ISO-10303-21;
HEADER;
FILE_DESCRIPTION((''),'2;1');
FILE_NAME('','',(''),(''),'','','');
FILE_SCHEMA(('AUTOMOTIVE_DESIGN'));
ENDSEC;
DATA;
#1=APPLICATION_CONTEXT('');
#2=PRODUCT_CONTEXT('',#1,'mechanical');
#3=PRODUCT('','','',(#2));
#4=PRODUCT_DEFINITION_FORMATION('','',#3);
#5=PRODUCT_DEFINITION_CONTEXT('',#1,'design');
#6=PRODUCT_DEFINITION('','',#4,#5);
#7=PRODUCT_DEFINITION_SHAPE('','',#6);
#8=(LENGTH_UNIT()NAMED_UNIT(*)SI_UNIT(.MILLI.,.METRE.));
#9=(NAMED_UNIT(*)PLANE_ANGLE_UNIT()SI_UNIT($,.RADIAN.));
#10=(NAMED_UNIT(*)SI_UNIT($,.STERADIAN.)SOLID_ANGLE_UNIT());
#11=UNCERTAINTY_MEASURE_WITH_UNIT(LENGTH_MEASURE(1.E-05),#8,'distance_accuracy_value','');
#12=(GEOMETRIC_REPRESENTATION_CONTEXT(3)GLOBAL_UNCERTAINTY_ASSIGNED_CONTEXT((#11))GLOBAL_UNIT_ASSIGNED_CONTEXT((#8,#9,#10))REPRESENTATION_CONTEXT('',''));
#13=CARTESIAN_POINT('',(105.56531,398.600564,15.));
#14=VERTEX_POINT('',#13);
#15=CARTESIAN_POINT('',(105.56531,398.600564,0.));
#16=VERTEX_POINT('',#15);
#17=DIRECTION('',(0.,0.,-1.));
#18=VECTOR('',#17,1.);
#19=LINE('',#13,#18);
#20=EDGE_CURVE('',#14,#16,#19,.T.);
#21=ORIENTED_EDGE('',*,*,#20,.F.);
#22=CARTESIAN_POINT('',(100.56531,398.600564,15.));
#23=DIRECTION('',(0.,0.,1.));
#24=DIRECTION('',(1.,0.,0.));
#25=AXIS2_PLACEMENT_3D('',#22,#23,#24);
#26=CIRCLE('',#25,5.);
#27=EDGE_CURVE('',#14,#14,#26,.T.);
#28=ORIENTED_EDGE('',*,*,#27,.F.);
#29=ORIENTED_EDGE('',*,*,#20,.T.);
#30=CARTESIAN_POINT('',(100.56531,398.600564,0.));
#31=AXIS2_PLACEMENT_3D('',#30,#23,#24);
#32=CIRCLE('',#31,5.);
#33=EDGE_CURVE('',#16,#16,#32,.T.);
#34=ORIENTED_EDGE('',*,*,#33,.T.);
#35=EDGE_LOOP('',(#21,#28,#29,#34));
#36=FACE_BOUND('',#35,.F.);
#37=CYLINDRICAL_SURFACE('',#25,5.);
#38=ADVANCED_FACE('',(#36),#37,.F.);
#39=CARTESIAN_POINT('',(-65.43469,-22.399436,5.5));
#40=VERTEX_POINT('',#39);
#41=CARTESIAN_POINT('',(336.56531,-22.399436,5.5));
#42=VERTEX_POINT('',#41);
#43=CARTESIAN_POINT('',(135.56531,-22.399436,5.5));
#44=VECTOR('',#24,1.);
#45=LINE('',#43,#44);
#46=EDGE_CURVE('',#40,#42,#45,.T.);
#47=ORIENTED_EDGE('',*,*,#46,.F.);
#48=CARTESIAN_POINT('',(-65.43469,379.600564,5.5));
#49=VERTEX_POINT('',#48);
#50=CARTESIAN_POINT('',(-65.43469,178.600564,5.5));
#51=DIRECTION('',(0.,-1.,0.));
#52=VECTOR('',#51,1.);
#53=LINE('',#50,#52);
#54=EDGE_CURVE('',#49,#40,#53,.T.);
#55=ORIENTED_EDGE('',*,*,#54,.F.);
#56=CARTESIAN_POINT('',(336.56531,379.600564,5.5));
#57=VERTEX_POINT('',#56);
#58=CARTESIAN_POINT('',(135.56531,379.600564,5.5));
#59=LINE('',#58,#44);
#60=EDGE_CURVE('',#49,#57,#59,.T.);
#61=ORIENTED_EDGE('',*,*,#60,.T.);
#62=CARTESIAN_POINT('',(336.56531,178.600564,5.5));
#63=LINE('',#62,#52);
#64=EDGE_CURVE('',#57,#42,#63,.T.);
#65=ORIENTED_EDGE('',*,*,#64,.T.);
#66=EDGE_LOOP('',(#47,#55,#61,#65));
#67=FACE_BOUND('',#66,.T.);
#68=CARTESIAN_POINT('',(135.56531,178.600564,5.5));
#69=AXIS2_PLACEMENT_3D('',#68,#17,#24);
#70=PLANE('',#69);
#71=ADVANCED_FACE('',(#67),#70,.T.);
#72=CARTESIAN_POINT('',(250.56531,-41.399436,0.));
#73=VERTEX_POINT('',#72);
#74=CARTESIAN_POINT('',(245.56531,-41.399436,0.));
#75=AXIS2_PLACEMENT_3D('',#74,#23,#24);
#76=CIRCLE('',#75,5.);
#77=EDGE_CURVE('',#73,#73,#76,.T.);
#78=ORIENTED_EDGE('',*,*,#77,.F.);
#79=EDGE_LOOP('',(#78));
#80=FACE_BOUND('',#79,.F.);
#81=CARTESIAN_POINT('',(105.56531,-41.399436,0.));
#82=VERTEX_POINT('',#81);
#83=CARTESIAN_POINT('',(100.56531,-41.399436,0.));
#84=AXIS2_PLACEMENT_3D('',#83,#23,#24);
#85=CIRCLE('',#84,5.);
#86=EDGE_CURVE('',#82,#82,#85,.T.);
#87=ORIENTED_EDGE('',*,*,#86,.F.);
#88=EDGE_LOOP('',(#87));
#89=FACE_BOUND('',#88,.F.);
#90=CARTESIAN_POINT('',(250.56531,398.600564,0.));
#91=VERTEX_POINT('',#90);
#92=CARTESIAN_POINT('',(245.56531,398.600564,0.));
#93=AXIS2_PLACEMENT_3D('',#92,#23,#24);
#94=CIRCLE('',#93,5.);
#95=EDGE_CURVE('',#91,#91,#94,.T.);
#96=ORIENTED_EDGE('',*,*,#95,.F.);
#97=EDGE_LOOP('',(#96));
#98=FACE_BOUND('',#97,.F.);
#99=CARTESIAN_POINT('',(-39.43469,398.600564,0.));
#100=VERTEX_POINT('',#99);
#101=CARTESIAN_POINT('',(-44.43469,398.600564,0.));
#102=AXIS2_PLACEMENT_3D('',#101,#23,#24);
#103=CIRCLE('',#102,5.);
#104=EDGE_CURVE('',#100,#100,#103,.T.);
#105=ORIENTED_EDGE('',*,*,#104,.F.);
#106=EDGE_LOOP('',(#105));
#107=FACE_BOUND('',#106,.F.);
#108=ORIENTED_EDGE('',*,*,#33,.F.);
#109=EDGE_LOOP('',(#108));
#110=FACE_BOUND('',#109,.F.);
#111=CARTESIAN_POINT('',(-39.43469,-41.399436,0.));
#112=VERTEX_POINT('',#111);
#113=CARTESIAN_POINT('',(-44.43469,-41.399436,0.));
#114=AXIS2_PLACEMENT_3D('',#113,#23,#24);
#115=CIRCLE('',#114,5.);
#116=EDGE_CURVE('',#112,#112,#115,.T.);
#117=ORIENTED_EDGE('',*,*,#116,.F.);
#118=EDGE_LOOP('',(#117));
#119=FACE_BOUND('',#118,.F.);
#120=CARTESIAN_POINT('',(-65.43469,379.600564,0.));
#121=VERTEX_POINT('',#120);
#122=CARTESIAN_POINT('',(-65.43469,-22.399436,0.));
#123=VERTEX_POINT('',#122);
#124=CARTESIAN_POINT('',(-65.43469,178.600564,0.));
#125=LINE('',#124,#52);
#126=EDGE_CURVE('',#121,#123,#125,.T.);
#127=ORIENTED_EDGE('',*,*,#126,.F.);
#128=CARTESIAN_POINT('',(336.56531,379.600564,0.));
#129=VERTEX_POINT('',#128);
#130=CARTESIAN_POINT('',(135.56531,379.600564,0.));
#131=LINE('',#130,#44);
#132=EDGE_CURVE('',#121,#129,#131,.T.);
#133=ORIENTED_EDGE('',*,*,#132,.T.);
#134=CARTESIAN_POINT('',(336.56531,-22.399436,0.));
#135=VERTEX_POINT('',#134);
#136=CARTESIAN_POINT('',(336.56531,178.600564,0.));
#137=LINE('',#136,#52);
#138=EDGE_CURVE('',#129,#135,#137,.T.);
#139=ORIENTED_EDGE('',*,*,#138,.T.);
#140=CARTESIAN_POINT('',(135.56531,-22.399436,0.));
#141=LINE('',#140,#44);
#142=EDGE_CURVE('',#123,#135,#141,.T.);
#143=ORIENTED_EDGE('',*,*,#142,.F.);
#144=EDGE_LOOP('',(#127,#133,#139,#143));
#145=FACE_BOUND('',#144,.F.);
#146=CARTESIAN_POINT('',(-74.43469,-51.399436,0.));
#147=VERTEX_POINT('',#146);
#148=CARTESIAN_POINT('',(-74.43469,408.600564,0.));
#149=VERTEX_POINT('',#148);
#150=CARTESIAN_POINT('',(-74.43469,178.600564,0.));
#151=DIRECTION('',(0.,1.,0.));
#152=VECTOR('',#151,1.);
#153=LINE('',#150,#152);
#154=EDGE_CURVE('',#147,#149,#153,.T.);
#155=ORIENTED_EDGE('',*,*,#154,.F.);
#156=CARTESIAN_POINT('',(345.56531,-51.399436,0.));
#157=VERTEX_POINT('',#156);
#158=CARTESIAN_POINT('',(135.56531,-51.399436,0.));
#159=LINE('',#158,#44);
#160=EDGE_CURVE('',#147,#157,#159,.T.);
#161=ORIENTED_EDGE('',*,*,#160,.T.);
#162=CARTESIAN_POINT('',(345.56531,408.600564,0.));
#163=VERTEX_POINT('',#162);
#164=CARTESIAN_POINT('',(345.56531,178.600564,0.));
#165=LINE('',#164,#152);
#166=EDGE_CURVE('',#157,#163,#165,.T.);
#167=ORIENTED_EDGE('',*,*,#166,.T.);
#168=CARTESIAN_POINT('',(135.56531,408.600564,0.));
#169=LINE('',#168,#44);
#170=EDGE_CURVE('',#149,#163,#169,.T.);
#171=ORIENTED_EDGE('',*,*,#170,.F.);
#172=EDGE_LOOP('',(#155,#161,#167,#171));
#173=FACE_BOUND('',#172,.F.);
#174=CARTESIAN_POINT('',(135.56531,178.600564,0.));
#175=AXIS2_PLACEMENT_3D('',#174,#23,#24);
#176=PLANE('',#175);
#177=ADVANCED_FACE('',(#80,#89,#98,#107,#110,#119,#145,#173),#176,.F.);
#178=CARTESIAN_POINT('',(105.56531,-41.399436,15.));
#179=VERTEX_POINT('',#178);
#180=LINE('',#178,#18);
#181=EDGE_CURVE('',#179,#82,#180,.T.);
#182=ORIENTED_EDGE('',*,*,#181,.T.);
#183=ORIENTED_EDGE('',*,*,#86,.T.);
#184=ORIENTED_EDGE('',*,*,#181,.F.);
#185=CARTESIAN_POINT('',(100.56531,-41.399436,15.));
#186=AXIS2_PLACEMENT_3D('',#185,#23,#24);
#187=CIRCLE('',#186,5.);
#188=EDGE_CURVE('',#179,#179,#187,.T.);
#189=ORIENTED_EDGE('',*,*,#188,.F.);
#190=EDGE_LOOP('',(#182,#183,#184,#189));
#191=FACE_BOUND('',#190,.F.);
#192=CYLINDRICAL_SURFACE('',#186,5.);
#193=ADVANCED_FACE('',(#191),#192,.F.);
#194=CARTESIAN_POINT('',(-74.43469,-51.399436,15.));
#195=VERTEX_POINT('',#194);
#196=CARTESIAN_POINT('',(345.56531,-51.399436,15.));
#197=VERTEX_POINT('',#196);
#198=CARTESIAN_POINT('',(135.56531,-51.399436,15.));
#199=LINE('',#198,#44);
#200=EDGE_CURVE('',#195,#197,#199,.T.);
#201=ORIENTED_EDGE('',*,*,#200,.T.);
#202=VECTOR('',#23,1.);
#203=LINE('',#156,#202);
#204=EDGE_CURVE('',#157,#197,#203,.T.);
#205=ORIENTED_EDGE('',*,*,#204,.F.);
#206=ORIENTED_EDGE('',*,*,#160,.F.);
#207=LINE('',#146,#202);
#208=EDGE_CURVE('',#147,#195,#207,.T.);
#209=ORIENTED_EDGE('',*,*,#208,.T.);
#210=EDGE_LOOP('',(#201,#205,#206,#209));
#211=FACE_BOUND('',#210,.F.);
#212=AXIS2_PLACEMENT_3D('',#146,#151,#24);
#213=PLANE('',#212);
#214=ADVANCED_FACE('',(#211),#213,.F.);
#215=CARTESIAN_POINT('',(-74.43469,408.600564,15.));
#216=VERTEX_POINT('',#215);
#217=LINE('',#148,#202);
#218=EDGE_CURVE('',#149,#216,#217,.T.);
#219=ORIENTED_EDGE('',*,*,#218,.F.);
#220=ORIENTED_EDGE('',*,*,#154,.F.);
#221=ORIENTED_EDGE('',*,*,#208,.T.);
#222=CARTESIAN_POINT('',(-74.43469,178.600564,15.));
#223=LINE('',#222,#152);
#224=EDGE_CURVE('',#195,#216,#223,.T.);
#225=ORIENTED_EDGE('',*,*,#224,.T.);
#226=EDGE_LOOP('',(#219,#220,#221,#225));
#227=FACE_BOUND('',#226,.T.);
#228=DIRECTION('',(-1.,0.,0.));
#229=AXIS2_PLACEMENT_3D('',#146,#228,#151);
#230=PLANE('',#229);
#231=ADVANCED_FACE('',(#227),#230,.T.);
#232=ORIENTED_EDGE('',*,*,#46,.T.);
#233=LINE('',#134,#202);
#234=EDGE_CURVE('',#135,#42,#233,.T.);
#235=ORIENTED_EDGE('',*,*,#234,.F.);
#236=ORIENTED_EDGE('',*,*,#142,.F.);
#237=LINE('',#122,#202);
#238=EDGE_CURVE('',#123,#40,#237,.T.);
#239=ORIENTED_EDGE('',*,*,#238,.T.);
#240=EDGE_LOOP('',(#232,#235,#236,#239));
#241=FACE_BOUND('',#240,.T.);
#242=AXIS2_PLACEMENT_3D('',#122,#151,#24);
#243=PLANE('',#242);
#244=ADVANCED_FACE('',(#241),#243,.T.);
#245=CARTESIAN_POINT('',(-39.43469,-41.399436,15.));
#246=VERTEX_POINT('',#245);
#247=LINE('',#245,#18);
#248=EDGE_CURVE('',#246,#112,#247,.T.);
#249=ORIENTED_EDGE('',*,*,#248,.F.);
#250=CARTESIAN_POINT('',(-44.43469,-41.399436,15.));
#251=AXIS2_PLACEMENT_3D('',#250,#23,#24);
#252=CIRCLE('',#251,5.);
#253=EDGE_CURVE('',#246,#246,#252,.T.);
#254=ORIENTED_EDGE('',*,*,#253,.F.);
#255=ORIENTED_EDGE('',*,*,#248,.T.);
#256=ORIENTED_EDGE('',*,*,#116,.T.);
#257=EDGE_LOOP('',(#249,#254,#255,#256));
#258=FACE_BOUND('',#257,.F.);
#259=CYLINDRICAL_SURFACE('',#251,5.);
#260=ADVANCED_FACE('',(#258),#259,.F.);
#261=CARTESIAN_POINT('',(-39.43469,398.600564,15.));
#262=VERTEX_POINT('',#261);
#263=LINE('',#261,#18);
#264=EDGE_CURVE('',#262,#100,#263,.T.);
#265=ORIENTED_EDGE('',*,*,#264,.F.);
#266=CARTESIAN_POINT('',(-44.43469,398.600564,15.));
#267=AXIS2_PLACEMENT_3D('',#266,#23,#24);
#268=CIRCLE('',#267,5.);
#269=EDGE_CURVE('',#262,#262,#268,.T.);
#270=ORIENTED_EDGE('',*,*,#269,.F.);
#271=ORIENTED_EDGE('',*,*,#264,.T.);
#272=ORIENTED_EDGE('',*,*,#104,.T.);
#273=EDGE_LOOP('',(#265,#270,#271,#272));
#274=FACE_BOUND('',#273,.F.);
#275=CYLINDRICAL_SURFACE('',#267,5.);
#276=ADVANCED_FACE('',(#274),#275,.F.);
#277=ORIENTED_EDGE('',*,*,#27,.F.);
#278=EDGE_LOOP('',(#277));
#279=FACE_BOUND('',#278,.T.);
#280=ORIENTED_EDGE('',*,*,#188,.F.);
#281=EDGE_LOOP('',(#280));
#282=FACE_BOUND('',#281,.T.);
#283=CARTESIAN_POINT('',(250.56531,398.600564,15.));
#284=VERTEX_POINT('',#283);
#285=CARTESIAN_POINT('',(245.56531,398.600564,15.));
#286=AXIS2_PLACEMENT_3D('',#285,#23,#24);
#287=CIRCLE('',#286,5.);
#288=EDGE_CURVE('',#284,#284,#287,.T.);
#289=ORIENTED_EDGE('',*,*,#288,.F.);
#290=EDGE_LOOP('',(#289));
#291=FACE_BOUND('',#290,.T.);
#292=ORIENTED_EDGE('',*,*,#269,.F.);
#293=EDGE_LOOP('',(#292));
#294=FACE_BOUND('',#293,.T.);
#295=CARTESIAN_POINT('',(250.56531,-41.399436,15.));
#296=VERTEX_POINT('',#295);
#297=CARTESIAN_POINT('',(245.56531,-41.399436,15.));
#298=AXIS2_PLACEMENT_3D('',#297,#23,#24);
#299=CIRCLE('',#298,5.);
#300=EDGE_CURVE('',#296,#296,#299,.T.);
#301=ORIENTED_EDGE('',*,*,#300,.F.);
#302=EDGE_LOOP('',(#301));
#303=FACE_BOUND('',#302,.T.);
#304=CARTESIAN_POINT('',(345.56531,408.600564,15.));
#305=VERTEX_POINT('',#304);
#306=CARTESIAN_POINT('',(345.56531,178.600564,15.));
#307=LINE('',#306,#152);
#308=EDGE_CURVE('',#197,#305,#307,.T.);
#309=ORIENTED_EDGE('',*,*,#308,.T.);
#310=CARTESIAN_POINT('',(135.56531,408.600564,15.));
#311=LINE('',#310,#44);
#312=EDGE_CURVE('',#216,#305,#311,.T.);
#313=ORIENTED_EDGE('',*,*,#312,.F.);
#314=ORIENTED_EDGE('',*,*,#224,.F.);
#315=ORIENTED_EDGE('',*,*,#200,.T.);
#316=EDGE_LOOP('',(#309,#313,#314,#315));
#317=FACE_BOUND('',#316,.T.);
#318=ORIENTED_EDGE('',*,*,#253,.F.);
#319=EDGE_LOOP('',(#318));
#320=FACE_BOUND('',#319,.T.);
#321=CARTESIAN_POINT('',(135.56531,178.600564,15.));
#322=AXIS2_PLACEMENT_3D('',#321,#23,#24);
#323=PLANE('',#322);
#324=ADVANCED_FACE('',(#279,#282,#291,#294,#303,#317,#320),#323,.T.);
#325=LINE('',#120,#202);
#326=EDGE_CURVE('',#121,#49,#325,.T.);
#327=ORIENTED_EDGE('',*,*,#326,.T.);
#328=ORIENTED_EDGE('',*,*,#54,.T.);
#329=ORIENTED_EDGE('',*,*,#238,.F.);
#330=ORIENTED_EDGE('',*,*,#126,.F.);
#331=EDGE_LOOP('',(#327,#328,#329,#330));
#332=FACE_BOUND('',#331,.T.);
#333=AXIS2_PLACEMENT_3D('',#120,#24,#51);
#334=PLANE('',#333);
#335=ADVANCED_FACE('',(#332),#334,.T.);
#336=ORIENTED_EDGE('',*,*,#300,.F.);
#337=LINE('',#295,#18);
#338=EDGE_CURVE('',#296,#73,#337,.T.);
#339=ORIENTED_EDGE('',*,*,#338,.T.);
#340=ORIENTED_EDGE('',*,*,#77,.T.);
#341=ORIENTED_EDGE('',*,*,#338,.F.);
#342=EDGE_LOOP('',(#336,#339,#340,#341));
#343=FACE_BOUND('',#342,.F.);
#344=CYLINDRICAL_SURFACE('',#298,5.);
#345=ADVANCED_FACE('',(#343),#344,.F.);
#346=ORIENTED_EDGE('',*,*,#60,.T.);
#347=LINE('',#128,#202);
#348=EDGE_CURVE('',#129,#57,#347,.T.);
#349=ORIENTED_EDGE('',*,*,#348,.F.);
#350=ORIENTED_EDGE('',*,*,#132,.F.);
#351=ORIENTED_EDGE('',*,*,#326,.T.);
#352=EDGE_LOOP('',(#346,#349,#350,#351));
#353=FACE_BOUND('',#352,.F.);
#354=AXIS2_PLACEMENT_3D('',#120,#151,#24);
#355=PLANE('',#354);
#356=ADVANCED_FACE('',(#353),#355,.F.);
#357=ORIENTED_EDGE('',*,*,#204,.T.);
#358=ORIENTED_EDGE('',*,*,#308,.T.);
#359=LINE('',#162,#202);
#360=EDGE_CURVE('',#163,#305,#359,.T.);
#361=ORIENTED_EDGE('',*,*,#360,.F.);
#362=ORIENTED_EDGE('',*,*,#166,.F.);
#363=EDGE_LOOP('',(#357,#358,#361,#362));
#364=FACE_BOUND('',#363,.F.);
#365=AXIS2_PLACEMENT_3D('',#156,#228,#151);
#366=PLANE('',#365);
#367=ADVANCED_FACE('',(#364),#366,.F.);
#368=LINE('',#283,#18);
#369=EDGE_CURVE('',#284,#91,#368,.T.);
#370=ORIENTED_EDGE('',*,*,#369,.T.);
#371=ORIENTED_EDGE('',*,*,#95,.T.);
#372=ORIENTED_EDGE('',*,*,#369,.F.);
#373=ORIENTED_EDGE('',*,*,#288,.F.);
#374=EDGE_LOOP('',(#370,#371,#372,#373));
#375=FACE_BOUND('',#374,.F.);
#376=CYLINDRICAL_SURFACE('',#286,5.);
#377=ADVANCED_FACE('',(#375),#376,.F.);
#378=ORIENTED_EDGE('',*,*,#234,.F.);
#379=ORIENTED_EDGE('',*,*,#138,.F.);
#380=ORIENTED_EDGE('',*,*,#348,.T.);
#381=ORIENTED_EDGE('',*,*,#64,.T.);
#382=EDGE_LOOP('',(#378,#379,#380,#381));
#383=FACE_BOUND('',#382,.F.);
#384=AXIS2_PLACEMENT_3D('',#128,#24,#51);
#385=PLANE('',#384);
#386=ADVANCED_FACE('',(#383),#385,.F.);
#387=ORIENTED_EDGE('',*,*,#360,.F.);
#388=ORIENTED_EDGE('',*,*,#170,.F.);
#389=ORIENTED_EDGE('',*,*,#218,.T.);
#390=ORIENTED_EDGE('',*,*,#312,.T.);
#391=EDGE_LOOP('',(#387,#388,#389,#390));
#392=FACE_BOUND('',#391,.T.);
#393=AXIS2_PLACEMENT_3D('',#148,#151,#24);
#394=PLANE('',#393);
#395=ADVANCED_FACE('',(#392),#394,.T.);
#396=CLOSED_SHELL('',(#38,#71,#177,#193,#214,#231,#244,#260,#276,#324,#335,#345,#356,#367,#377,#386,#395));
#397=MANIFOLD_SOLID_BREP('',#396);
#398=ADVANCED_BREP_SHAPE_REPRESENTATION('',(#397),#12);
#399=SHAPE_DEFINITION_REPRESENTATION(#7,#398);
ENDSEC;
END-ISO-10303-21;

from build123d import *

# Parameters (mm, degrees)
F0_W     = 420
F0_H     = 460
F1_DEPTH = 15
F2_R     = 5
F3_DEPTH = 15
F4_W     = 402
F4_H     = 402
F5_DEPTH = 5.5


with BuildPart() as f1:
    # F0 (on Top) → F1 (new body)
    with BuildSketch(Plane.XY):
        with Locations((135.56531, 178.600564)):
            Rectangle(F0_W, F0_H)
    extrude(amount=F1_DEPTH)

    # F2 (on face) → F3 (cut)
    with BuildSketch(Plane.XY.offset(15)):
        with Locations((245.56531, -41.399436)):
            Circle(F2_R)
        with Locations((-44.43469, -41.399436)):
            Circle(F2_R)
        with Locations((100.56531, -41.399436)):
            Circle(F2_R)
        with Locations((245.56531, 398.600564)):
            Circle(F2_R)
        with Locations((100.56531, 398.600564)):
            Circle(F2_R)
        with Locations((-44.43469, 398.600564)):
            Circle(F2_R)
    extrude(amount=-F3_DEPTH, mode=Mode.SUBTRACT)

    # F4 (on face) → F5 (cut)
    with BuildSketch(Plane(origin=(0, 0, 0), x_dir=(1, 0, 0), z_dir=(0, 0, -1))):
        with Locations((135.56531, -178.600564)):
            Rectangle(F4_W, F4_H)
    extrude(amount=-F5_DEPTH, mode=Mode.SUBTRACT)


solid = f1.part
